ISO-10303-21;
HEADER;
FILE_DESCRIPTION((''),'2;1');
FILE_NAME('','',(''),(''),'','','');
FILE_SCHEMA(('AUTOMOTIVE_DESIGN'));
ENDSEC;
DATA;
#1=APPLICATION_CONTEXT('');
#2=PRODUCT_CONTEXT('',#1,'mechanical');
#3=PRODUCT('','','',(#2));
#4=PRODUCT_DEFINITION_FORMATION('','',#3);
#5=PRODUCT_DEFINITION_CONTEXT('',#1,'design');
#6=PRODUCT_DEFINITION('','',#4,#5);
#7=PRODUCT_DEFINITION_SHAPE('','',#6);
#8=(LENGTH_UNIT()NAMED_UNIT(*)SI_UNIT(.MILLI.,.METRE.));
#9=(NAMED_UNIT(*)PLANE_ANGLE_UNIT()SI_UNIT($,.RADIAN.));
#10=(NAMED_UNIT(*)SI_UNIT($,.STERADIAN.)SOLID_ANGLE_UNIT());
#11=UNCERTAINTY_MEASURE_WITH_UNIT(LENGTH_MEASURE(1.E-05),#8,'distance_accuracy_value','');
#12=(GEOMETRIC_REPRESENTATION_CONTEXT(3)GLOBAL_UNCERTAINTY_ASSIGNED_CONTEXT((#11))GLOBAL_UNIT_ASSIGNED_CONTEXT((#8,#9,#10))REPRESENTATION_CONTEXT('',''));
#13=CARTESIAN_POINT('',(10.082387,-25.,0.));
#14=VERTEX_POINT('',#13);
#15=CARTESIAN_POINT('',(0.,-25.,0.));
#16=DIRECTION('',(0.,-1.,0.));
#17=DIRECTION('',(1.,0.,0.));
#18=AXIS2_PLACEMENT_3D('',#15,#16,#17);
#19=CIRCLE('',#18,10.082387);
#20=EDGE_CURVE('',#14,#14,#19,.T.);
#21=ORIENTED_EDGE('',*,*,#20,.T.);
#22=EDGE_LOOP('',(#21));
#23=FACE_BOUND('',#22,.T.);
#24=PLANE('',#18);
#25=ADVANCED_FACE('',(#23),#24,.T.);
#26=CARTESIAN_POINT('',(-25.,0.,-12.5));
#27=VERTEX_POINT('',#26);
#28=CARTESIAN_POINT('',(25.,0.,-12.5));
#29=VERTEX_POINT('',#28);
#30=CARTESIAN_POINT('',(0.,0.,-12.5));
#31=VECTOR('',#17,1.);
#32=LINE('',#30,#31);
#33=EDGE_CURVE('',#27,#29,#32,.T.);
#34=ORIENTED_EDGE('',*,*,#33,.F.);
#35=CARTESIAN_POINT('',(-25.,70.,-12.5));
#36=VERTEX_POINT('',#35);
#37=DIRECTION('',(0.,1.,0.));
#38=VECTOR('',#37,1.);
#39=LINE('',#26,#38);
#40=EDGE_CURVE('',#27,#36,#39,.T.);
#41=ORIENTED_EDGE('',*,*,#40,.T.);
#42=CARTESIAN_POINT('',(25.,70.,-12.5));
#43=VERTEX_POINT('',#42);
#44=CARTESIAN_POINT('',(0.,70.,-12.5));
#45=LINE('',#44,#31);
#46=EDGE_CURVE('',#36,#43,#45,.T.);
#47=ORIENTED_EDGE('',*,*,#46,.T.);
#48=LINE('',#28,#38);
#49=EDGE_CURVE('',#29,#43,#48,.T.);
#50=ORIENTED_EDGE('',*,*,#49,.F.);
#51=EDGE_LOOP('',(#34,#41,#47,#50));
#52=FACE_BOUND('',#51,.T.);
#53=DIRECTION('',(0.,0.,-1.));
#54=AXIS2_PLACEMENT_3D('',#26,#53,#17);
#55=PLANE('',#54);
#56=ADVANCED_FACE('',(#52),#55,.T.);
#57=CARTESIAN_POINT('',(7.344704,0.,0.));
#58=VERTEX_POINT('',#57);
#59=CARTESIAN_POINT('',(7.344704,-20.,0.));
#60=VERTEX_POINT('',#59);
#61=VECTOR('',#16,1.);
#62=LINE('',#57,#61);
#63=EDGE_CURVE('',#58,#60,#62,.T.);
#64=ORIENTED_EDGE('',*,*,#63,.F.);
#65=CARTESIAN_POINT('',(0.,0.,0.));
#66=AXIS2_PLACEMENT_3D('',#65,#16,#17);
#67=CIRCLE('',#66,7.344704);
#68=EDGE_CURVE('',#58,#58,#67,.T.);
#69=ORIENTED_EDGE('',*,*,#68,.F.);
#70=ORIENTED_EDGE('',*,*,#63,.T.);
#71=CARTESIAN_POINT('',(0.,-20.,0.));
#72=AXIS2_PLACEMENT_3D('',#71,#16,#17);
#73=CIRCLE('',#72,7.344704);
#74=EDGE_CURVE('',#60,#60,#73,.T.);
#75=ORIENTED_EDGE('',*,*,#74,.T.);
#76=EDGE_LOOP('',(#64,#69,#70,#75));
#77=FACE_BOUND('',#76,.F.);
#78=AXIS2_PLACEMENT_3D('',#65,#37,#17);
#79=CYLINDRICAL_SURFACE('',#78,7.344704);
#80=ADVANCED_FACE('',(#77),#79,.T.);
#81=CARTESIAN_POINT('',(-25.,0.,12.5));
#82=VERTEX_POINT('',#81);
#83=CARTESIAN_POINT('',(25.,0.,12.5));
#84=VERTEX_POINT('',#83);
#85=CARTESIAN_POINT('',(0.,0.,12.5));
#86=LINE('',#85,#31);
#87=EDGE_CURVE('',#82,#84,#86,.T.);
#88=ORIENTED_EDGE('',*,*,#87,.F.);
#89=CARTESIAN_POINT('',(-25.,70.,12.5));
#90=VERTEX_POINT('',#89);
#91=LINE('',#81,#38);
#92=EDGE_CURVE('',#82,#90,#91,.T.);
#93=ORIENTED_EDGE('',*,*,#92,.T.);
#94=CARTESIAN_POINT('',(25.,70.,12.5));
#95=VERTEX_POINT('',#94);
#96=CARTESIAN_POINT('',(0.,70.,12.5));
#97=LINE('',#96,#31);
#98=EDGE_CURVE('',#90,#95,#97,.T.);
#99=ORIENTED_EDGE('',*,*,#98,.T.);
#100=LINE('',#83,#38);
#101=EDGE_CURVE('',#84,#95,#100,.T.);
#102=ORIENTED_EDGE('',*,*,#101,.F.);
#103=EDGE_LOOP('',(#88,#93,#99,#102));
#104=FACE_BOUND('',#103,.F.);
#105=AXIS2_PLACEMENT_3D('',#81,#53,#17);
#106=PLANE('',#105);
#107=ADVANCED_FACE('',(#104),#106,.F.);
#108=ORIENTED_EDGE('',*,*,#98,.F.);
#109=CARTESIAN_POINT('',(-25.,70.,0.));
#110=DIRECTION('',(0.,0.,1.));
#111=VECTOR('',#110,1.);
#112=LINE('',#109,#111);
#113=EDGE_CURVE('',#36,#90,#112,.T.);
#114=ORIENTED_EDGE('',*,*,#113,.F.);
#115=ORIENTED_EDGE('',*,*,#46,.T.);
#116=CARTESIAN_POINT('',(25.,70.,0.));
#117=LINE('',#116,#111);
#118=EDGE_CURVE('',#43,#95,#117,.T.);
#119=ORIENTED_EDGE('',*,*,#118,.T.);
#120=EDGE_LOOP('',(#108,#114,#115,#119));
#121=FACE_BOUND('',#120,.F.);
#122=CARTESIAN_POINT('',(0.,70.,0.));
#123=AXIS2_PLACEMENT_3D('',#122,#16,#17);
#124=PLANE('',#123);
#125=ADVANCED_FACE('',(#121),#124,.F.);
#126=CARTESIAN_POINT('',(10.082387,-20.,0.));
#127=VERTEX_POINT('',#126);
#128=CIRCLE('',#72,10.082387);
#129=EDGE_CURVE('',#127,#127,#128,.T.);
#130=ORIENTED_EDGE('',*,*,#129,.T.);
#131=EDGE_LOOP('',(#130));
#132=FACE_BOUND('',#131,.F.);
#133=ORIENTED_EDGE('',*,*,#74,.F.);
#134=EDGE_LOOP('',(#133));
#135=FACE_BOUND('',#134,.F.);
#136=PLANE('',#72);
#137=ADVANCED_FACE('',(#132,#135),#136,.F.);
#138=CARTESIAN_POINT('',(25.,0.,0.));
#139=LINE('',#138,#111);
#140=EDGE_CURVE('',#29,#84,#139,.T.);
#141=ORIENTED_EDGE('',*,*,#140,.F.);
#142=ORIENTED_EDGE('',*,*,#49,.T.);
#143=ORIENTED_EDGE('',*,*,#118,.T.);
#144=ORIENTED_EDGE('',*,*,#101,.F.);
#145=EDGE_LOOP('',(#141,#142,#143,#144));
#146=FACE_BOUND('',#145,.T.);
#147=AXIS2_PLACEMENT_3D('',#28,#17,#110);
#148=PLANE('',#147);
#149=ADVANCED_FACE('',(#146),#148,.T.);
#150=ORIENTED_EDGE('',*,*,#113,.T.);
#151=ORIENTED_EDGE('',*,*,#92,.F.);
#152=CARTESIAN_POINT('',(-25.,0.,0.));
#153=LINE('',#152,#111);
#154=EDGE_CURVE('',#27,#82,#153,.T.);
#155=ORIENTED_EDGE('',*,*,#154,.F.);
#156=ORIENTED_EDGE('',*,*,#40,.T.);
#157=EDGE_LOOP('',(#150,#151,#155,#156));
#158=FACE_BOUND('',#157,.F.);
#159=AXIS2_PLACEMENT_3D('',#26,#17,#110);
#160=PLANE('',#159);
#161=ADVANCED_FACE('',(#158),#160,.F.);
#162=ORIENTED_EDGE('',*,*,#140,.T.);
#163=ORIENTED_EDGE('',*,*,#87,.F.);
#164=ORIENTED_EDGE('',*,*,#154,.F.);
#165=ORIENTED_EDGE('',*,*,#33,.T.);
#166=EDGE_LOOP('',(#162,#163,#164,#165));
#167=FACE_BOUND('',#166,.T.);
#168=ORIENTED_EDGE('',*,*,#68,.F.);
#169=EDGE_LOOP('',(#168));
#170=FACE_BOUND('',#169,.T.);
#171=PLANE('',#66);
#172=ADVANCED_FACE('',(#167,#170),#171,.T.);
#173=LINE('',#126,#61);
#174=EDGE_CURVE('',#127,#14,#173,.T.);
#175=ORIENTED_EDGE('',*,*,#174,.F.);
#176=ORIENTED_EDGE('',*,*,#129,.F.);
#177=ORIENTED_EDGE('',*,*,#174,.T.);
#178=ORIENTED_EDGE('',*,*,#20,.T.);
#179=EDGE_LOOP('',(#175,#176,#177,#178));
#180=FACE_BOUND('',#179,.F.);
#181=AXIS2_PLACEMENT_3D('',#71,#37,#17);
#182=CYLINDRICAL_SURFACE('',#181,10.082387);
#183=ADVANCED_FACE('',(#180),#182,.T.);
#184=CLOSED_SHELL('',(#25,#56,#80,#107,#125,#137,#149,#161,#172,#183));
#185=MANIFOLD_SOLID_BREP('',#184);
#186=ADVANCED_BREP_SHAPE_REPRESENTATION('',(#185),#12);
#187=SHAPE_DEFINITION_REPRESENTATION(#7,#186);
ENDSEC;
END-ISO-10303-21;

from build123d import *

# Parameters (mm, degrees)
F0_W     = 50
F0_H     = 25
F1_DEPTH = 70
F2_R     = 7.3447038538
F3_DEPTH = 20
F4_R     = 10.0823873926
F4_R_2   = 7.3447038538
F5_DEPTH = 5


with BuildPart() as f1:
    # F0 (on Front) → F1 (new body)
    with BuildSketch(Plane.XZ):
        Rectangle(F0_W, F0_H)
    extrude(amount=-F1_DEPTH)

    # F2 (on Front) → F3 (join)
    with BuildSketch(Plane.XZ):
        Circle(F2_R)
    extrude(amount=F3_DEPTH)

    # F4 (on face) → F5 (join)
    with BuildSketch(Plane.XZ.offset(20)):
        Circle(F4_R)
        Circle(F4_R_2, mode=Mode.SUBTRACT)
        Circle(F4_R_2)
    extrude(amount=F5_DEPTH)


solid = f1.part
